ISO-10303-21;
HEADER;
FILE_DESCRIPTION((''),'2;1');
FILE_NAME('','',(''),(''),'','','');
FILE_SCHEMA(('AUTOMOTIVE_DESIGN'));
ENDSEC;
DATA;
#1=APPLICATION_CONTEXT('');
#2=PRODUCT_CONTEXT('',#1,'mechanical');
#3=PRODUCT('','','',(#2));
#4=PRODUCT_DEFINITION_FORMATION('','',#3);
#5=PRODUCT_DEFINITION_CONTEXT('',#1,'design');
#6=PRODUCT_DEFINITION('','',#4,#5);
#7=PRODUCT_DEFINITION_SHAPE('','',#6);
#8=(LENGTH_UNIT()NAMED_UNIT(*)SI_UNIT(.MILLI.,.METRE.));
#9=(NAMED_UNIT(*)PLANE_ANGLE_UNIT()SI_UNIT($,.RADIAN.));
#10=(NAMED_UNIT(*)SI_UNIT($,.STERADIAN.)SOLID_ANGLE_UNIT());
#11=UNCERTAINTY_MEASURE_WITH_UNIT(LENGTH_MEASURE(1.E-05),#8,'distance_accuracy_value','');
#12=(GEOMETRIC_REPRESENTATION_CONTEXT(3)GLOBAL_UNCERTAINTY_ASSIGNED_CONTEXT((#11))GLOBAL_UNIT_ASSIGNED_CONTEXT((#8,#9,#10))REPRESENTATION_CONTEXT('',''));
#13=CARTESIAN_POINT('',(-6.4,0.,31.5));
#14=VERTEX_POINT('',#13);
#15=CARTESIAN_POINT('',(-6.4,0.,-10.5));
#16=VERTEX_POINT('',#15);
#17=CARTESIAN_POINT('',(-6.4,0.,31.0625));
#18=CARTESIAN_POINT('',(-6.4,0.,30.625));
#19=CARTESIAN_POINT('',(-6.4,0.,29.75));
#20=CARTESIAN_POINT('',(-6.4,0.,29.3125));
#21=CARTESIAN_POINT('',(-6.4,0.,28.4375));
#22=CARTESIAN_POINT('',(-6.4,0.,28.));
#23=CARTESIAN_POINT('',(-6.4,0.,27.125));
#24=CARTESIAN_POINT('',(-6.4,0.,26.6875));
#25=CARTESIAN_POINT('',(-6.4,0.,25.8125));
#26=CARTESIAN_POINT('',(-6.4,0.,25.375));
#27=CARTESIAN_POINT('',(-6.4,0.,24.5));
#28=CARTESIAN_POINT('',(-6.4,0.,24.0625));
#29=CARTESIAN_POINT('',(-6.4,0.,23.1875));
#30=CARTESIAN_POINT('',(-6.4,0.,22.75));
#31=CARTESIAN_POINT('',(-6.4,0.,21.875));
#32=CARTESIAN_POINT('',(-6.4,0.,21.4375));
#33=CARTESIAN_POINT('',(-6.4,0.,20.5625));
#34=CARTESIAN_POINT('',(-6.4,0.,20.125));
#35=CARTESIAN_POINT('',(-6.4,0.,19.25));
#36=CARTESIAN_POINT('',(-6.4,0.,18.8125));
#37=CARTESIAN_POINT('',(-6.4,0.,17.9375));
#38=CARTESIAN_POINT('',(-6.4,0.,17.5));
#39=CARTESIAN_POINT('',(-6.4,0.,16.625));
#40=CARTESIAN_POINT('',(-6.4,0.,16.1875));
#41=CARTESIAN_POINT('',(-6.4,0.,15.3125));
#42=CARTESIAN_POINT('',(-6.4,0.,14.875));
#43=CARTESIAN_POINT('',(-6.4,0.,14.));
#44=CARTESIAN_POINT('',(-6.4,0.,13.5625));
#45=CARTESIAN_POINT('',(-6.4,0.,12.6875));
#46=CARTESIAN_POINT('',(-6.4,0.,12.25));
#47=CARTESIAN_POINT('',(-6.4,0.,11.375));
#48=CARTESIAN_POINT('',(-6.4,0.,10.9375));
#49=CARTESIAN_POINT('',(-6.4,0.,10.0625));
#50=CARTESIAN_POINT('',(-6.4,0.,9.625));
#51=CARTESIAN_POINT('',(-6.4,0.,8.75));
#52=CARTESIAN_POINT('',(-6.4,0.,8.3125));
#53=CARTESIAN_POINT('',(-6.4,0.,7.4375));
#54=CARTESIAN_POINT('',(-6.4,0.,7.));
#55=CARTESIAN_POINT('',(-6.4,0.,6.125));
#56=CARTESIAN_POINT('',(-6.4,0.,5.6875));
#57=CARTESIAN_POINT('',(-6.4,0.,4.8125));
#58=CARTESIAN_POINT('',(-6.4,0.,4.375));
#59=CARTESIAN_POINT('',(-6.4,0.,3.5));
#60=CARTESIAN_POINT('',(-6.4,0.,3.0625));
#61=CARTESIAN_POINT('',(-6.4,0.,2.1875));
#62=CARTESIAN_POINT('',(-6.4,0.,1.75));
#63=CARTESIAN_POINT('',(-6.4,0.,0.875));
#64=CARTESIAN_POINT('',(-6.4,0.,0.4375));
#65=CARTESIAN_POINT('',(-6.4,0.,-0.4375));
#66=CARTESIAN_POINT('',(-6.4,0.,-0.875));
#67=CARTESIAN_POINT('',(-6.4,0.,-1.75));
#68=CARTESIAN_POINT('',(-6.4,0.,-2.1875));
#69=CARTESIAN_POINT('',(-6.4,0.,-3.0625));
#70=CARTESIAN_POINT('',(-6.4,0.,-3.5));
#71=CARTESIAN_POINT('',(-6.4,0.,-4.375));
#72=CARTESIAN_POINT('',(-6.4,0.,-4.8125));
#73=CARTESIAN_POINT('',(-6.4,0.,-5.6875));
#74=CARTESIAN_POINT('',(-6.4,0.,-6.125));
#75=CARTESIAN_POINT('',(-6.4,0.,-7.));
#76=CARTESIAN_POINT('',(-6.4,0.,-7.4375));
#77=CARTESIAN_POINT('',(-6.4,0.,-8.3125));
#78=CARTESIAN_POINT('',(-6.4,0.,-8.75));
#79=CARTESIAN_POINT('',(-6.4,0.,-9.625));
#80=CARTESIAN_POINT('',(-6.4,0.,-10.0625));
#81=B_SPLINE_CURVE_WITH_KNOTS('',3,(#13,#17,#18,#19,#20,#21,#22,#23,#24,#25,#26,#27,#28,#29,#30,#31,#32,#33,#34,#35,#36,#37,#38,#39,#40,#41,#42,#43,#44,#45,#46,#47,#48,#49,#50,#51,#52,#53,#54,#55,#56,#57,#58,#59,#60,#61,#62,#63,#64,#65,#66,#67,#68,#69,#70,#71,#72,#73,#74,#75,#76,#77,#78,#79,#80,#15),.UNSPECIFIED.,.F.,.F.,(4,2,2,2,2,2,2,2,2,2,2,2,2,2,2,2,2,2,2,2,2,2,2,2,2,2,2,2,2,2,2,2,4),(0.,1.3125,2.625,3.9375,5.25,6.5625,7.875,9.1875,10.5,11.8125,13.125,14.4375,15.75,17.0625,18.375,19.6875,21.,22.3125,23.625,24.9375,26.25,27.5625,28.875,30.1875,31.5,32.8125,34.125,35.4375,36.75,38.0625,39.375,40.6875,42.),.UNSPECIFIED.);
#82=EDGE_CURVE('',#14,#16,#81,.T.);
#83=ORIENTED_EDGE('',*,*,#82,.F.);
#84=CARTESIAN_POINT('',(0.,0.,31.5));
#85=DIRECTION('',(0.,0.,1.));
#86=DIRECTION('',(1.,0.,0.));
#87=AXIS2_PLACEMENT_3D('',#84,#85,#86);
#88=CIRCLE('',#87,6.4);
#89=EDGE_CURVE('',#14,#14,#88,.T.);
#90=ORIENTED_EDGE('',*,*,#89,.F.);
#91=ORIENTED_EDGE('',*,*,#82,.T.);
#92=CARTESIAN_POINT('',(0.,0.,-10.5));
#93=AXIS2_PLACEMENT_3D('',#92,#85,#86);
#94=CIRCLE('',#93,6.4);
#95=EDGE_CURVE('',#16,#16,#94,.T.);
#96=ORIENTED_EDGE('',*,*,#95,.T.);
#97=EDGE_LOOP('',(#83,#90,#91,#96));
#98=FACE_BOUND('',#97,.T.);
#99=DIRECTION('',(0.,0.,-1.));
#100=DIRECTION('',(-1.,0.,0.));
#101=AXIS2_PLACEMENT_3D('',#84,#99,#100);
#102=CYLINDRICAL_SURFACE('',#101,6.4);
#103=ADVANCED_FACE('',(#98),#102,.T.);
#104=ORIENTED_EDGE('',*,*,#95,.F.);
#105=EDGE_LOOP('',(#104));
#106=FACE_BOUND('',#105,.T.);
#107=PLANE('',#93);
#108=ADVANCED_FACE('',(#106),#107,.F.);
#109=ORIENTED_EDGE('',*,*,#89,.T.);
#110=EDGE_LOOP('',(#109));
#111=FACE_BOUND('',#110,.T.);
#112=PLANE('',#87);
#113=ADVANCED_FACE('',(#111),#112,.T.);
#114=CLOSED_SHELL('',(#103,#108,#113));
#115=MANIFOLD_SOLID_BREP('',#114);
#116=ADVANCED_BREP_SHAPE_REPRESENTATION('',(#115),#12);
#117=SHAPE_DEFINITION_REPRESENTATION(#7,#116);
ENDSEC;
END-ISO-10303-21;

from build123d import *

# Parameters (mm, degrees)
SKETCH1_R           = 3.2
BOSS_EXTRUDE1_DEPTH = 21
SCALE_1_SCALE       = 2


with BuildPart() as part:
    # Sketch1 → Boss-Extrude1 (new body)
    with BuildSketch(Plane.XY):
        with Locations(Location((0, 0, 0), (0, 0, 180))):
            Circle(SKETCH1_R)
    extrude(amount=BOSS_EXTRUDE1_DEPTH)


with BuildPart() as part_1:
    # 缩放比例1: scaled about (0, 0, 10.5)
    add(part.part.scale(SCALE_1_SCALE).moved(Location((0, 0, -10.5))))


solid = part_1.part
